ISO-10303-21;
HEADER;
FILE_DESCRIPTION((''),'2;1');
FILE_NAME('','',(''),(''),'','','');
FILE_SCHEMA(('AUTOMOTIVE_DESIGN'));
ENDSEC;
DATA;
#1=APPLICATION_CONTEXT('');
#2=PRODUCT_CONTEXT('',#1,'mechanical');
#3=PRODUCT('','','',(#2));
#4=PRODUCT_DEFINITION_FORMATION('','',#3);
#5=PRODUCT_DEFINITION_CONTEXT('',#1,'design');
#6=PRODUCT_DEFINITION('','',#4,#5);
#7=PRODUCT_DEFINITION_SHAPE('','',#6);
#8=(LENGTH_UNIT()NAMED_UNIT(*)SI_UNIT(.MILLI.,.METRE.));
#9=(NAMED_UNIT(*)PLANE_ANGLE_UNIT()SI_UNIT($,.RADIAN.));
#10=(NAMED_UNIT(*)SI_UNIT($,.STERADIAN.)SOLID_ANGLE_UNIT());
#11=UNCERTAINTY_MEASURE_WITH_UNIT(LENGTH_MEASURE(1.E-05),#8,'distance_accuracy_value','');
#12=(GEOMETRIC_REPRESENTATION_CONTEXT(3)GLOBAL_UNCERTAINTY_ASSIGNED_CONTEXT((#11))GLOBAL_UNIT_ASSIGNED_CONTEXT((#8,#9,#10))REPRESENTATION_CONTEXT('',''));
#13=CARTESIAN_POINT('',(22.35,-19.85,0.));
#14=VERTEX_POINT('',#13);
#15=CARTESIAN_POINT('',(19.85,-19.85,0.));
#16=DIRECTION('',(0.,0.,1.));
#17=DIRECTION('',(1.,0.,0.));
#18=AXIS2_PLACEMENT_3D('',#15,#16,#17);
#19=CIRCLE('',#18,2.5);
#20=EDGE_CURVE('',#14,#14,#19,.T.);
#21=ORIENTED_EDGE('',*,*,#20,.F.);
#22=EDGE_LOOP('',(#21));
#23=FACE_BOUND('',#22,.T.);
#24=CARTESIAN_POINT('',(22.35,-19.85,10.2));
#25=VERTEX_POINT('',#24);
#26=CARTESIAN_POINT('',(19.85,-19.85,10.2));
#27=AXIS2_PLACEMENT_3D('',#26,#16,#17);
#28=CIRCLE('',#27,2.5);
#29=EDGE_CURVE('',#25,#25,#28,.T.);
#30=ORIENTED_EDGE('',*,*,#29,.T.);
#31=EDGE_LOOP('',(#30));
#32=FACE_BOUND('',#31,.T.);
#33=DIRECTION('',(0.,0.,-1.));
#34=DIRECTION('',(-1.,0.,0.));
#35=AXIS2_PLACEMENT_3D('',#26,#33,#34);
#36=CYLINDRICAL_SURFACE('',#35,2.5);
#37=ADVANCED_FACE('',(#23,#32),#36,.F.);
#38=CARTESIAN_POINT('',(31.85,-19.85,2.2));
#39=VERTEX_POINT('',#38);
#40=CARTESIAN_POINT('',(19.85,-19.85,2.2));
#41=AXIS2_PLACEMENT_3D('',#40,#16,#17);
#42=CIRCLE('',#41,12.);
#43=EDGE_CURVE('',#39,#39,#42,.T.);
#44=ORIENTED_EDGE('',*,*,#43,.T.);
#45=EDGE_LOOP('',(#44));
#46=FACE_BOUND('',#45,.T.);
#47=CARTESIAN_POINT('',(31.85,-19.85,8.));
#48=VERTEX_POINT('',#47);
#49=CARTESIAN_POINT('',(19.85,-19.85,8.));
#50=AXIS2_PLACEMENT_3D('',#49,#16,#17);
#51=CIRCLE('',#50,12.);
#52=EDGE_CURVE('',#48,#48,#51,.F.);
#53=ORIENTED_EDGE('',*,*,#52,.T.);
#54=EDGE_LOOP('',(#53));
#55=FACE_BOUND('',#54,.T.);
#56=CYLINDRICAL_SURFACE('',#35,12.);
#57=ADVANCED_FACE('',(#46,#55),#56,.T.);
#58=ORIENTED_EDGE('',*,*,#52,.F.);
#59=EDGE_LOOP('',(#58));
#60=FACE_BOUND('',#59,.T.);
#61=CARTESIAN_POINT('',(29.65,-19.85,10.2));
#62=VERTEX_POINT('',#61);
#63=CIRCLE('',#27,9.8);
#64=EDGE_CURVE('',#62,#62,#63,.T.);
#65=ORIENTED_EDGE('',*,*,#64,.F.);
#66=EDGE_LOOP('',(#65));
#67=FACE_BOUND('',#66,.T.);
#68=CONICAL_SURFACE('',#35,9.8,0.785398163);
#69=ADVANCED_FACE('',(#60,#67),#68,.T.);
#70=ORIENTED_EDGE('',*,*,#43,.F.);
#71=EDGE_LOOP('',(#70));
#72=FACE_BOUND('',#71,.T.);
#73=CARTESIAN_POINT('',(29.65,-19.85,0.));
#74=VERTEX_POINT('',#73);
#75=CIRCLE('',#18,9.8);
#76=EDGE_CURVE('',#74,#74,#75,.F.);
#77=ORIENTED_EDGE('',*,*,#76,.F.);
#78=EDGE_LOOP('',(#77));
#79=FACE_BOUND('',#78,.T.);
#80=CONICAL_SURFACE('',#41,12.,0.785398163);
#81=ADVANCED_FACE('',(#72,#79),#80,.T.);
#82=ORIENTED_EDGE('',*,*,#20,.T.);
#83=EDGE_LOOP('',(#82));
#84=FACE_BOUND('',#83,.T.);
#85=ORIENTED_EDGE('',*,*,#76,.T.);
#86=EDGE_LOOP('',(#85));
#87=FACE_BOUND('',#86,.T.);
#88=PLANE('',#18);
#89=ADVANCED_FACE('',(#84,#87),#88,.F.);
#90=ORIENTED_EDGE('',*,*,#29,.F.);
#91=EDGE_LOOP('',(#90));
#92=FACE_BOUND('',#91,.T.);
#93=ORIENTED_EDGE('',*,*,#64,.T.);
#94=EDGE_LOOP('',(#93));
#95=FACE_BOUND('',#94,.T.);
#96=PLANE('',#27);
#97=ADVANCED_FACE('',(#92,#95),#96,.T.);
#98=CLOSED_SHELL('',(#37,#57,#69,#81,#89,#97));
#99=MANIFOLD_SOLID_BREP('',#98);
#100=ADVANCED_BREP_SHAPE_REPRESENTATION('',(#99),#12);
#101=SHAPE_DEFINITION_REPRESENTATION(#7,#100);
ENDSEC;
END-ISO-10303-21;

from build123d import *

# Parameters (mm, degrees)
SKETCH_1_R      = 12
SKETCH_1_R_2    = 2.5
EXTRUDE_1_DEPTH = 10.2
CHAMFER_1_SIZE  = 2.2


with BuildPart() as part:
    # 草图1 → 凸台-拉伸1 (new body)
    with BuildSketch(Plane.XY):
        with Locations((19.85, -19.85)):
            Circle(SKETCH_1_R)
        with Locations((19.85, -19.85)):
            Circle(SKETCH_1_R_2, mode=Mode.SUBTRACT)
    extrude(amount=EXTRUDE_1_DEPTH)

    # 倒角1
    chamfer_1_edges = [part.edges().sort_by_distance(p)[0] for p in [
        (7.85, -19.85, 0),
        (7.85, -19.85, 10.2),
    ]]
    chamfer(chamfer_1_edges, length=CHAMFER_1_SIZE)


solid = part.part
